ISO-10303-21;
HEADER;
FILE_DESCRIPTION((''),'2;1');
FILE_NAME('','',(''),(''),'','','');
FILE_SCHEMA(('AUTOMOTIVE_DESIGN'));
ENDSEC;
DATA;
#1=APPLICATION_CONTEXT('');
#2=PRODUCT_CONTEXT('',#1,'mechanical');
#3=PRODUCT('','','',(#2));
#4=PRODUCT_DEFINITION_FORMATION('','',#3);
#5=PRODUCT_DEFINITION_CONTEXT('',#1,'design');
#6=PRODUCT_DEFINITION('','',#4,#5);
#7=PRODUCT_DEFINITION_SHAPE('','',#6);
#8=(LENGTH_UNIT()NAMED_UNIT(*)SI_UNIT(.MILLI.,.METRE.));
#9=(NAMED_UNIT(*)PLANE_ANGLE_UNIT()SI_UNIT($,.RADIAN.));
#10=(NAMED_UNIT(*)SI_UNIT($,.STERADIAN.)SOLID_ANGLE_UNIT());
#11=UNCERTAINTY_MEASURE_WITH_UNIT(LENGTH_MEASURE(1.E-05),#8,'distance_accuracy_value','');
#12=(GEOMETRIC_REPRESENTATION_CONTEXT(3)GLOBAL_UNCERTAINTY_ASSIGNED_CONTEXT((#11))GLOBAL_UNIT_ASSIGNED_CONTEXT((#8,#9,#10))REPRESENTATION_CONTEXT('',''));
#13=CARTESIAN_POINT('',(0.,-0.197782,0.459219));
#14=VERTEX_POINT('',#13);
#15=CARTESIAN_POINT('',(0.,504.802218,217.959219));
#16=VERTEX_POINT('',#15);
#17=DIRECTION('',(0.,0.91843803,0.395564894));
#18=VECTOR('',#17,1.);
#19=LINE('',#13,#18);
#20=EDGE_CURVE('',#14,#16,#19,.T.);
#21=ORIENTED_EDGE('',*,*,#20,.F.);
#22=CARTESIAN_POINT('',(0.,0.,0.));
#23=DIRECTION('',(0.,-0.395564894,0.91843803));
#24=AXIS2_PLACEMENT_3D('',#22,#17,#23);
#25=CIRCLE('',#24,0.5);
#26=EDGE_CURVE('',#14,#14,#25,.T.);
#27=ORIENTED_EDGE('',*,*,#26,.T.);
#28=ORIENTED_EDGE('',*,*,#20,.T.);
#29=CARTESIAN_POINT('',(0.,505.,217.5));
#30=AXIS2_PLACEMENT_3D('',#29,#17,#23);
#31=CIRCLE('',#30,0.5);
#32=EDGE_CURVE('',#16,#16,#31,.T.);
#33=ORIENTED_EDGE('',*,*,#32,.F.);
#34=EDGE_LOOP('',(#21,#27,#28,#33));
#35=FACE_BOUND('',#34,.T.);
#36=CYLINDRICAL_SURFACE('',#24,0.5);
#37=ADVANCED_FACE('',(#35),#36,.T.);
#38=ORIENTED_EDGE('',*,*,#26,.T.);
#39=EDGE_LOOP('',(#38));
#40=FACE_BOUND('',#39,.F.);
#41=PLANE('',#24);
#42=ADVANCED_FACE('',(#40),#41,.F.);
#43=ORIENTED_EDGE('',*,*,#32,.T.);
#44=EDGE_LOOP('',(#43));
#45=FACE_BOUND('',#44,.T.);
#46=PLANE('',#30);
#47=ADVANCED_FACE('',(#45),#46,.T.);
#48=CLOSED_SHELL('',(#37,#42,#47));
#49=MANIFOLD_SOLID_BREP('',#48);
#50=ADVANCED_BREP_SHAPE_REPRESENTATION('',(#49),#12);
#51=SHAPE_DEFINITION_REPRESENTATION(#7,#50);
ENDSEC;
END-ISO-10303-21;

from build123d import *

# Parameters (mm, degrees)
SWEEP_1_PROFILE_R = 0.5


with BuildPart() as part:
    # 扫描1: sweep along a path in 草图3
    with BuildLine(Plane(origin=(0, 0, 0), x_dir=(0, 0, -1), z_dir=(1, 0, 0))) as sweep_1_path:
        Line((0, 0), (-217.5, 505))
    # 扫描1 profile (on start of the path) → 扫描1 (sweep)
    with BuildSketch(Plane(origin=(0, 0, 0), x_dir=(0, -0.395564894, 0.91843803), z_dir=(0, 0.91843803, 0.395564894))):
        Circle(SWEEP_1_PROFILE_R)
    sweep(path=sweep_1_path.line)


solid = part.part
